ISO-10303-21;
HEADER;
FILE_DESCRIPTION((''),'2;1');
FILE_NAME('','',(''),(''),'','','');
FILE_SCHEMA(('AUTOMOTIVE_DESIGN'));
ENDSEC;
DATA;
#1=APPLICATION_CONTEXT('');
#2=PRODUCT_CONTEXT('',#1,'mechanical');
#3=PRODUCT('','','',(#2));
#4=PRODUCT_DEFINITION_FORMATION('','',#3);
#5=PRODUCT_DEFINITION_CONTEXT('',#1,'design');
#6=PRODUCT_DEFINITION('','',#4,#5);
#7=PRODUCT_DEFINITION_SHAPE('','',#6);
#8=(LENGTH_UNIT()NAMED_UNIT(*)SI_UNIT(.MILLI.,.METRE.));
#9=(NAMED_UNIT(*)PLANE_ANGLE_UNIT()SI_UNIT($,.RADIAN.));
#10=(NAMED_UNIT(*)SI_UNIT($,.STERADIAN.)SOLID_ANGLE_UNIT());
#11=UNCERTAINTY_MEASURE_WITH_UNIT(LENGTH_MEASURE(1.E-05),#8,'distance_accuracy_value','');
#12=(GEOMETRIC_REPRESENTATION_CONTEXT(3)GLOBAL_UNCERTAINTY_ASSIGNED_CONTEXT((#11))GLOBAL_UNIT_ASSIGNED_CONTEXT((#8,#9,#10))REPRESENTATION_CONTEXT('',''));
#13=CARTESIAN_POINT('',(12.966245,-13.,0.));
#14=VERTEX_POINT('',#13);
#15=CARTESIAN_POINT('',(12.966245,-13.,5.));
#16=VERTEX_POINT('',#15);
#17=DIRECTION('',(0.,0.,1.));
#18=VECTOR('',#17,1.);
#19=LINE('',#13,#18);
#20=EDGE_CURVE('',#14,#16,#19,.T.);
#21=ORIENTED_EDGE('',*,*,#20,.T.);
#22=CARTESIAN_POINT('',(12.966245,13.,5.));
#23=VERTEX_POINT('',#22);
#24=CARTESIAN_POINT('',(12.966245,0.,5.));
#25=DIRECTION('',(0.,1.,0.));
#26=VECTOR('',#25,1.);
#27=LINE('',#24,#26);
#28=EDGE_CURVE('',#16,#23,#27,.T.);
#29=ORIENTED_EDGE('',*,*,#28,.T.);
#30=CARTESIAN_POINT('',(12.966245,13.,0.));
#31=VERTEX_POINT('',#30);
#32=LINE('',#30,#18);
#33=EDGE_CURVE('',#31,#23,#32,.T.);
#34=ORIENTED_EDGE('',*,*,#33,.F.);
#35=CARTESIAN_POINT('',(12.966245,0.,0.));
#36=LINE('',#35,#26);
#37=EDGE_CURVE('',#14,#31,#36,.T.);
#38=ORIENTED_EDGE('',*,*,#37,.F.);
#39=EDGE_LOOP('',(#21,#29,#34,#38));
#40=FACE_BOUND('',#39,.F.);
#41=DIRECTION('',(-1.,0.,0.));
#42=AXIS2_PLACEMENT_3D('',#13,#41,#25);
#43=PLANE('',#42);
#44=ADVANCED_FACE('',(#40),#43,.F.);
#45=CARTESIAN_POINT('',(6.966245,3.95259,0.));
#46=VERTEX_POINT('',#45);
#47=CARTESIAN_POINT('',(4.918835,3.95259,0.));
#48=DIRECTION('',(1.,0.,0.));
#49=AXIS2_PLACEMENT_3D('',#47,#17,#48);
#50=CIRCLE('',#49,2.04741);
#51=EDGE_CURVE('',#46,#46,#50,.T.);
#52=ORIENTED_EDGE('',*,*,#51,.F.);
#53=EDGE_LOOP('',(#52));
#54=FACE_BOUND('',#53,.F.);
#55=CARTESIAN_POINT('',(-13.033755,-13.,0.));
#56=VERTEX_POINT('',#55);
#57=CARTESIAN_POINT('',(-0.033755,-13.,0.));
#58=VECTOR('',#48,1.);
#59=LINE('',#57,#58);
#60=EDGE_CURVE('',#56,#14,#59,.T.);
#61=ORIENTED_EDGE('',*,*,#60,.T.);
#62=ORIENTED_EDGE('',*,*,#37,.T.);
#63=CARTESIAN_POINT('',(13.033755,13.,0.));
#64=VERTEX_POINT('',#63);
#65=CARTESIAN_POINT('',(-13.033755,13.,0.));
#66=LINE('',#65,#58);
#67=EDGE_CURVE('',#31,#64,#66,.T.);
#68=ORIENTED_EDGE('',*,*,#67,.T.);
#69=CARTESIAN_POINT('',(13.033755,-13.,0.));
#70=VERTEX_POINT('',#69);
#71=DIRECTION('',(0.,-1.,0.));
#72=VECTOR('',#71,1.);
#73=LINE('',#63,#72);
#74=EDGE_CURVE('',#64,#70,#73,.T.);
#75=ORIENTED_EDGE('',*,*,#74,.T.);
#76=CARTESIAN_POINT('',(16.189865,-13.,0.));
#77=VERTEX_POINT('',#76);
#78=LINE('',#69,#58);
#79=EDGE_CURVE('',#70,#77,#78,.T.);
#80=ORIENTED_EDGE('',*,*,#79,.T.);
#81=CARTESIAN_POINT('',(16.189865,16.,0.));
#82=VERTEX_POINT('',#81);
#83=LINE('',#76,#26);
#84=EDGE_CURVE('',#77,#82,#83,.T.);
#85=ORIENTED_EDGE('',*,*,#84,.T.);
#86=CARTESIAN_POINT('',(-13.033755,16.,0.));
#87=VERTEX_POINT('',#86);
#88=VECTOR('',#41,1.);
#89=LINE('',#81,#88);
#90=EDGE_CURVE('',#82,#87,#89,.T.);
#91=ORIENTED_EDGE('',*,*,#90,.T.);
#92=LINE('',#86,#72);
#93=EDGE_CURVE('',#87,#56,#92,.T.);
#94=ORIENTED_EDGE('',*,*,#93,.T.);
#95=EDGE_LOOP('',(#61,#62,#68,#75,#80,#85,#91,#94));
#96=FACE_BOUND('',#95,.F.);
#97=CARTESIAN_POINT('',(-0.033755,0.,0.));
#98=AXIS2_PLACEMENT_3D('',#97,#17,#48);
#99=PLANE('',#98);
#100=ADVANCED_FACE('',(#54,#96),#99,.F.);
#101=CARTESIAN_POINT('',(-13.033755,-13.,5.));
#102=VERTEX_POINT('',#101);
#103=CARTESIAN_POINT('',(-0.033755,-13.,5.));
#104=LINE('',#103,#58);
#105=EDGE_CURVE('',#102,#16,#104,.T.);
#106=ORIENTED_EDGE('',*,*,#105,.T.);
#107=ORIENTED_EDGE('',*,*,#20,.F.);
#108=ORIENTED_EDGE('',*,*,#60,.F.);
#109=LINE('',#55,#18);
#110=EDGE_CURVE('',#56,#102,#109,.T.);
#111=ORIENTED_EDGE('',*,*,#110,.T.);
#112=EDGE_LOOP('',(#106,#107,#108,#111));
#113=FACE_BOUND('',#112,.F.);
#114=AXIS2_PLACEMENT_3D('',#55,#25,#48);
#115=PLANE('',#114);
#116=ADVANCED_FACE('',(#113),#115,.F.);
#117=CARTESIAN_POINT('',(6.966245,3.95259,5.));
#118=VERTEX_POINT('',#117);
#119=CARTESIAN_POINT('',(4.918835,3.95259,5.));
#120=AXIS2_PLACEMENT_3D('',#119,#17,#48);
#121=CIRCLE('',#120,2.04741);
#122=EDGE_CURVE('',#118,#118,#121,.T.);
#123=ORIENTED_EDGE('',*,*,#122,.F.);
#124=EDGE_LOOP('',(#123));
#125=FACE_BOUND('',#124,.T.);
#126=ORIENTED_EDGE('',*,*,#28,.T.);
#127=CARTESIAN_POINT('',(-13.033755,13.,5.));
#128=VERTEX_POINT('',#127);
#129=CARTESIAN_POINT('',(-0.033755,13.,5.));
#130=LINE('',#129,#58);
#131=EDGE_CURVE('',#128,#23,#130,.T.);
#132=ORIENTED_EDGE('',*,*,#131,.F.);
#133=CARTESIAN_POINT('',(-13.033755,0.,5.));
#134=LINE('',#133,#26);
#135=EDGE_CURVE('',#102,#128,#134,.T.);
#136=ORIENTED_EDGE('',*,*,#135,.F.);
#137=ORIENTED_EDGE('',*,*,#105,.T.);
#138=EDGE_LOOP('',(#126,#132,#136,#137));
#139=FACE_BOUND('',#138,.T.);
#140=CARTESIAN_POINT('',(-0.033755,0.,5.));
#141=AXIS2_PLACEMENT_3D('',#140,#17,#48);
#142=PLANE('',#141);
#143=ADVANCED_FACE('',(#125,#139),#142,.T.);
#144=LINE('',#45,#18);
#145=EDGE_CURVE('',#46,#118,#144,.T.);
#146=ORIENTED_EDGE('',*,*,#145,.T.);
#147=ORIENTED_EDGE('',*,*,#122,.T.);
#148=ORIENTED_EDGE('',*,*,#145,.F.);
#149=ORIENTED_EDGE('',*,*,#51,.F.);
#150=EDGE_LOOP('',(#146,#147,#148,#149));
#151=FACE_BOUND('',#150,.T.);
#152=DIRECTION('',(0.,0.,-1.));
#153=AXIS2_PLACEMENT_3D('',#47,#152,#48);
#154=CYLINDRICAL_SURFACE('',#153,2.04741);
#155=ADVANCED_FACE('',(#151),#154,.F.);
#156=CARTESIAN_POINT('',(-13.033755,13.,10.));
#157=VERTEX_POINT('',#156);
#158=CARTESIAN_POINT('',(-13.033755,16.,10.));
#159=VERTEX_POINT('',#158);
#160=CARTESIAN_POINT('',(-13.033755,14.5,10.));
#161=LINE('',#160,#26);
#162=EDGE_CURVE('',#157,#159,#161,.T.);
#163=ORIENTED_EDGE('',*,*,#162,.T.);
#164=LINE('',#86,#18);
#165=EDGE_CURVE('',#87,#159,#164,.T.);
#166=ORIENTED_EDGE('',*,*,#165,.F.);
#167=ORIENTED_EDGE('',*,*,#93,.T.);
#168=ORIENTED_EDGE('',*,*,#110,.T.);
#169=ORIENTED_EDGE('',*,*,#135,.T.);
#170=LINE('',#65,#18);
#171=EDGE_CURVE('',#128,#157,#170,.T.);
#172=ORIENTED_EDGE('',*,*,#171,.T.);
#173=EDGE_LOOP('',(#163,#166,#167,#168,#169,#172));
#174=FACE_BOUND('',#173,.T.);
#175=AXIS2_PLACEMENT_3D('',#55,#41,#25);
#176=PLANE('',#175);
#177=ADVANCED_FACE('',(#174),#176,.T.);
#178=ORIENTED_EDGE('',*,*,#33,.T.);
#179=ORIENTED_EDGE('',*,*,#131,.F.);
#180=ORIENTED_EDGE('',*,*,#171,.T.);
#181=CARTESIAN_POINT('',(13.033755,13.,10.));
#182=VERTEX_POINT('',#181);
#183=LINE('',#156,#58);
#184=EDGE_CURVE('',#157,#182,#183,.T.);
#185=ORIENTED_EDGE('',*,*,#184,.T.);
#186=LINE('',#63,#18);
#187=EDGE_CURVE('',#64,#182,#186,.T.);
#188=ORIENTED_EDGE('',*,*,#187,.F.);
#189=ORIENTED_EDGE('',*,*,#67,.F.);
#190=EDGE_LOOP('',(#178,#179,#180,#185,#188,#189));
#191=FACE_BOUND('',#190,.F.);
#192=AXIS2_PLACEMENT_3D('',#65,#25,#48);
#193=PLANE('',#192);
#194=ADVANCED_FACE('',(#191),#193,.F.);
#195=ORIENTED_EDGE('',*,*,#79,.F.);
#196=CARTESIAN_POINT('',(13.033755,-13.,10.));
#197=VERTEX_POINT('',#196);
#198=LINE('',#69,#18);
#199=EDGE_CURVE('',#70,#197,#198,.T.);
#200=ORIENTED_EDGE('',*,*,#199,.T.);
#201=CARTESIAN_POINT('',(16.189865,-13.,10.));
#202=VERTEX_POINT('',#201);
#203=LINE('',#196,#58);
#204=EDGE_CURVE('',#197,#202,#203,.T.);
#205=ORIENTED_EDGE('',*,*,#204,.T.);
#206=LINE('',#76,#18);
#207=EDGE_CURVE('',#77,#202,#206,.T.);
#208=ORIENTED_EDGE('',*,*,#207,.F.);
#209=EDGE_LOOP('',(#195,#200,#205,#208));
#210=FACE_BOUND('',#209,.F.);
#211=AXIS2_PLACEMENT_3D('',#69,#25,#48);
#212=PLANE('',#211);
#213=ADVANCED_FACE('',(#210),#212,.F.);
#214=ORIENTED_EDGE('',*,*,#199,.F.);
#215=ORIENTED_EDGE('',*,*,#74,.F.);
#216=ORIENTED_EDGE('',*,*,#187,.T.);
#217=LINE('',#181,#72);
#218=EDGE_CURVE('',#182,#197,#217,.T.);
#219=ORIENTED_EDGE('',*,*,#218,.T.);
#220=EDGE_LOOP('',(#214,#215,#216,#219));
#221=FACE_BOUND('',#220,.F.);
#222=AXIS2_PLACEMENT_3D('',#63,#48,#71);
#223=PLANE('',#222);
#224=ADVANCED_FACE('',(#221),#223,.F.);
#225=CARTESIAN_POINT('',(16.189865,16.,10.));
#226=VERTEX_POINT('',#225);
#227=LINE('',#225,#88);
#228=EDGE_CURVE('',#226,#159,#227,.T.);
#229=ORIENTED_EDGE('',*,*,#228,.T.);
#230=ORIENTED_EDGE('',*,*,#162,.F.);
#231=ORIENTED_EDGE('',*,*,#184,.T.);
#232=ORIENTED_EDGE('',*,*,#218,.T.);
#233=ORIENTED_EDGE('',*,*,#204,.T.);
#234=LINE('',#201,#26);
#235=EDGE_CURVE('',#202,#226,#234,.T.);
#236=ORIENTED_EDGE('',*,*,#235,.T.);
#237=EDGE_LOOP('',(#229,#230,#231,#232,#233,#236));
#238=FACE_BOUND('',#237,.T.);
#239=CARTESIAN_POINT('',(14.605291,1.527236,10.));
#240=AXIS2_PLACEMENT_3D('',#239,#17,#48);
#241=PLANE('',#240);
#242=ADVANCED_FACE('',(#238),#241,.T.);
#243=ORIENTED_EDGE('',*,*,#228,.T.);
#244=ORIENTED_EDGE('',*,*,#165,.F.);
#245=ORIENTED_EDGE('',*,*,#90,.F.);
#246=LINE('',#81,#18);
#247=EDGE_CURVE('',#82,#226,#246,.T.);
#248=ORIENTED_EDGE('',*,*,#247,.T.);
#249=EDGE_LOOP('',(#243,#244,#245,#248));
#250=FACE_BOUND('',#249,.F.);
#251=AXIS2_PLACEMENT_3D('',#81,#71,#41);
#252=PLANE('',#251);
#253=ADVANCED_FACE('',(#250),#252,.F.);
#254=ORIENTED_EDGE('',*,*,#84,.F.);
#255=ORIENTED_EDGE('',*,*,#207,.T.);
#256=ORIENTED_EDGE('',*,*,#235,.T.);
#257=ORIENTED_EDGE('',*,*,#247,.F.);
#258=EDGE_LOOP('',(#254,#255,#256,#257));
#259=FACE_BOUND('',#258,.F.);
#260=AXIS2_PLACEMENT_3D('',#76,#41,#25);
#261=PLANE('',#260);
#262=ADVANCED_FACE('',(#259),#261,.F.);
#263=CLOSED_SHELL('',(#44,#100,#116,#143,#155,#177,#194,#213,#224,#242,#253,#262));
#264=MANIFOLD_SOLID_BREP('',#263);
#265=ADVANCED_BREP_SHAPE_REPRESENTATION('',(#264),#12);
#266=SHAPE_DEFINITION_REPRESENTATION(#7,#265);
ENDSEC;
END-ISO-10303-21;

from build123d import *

# Parameters (mm, degrees)
F0_W     = 26
F0_H     = 3
F1_DEPTH = 10
F0_H_2   = 26
F0_R     = 2.04741
F2_DEPTH = 5


with BuildPart() as f1:
    # F0 (on Top) → F1 (new body)
    with BuildSketch(Plane.XY):
        Polygon((12.966245, 13), (13.033755, 13), (13.033755, -13), (16.189865, -13), (16.189865, 16), (12.966245, 16), align=None)
        with Locations((-0.033755, 14.5)):
            Rectangle(F0_W, F0_H)
    extrude(amount=F1_DEPTH)

    # F0 (on Top) → F2 (join)
    with BuildSketch(Plane.XY):
        with Locations((-0.033755, 0)):
            Rectangle(F0_W, F0_H_2)
        with Locations((4.918835, 3.95259)):
            Circle(F0_R, mode=Mode.SUBTRACT)
    extrude(amount=F2_DEPTH)


solid = f1.part
